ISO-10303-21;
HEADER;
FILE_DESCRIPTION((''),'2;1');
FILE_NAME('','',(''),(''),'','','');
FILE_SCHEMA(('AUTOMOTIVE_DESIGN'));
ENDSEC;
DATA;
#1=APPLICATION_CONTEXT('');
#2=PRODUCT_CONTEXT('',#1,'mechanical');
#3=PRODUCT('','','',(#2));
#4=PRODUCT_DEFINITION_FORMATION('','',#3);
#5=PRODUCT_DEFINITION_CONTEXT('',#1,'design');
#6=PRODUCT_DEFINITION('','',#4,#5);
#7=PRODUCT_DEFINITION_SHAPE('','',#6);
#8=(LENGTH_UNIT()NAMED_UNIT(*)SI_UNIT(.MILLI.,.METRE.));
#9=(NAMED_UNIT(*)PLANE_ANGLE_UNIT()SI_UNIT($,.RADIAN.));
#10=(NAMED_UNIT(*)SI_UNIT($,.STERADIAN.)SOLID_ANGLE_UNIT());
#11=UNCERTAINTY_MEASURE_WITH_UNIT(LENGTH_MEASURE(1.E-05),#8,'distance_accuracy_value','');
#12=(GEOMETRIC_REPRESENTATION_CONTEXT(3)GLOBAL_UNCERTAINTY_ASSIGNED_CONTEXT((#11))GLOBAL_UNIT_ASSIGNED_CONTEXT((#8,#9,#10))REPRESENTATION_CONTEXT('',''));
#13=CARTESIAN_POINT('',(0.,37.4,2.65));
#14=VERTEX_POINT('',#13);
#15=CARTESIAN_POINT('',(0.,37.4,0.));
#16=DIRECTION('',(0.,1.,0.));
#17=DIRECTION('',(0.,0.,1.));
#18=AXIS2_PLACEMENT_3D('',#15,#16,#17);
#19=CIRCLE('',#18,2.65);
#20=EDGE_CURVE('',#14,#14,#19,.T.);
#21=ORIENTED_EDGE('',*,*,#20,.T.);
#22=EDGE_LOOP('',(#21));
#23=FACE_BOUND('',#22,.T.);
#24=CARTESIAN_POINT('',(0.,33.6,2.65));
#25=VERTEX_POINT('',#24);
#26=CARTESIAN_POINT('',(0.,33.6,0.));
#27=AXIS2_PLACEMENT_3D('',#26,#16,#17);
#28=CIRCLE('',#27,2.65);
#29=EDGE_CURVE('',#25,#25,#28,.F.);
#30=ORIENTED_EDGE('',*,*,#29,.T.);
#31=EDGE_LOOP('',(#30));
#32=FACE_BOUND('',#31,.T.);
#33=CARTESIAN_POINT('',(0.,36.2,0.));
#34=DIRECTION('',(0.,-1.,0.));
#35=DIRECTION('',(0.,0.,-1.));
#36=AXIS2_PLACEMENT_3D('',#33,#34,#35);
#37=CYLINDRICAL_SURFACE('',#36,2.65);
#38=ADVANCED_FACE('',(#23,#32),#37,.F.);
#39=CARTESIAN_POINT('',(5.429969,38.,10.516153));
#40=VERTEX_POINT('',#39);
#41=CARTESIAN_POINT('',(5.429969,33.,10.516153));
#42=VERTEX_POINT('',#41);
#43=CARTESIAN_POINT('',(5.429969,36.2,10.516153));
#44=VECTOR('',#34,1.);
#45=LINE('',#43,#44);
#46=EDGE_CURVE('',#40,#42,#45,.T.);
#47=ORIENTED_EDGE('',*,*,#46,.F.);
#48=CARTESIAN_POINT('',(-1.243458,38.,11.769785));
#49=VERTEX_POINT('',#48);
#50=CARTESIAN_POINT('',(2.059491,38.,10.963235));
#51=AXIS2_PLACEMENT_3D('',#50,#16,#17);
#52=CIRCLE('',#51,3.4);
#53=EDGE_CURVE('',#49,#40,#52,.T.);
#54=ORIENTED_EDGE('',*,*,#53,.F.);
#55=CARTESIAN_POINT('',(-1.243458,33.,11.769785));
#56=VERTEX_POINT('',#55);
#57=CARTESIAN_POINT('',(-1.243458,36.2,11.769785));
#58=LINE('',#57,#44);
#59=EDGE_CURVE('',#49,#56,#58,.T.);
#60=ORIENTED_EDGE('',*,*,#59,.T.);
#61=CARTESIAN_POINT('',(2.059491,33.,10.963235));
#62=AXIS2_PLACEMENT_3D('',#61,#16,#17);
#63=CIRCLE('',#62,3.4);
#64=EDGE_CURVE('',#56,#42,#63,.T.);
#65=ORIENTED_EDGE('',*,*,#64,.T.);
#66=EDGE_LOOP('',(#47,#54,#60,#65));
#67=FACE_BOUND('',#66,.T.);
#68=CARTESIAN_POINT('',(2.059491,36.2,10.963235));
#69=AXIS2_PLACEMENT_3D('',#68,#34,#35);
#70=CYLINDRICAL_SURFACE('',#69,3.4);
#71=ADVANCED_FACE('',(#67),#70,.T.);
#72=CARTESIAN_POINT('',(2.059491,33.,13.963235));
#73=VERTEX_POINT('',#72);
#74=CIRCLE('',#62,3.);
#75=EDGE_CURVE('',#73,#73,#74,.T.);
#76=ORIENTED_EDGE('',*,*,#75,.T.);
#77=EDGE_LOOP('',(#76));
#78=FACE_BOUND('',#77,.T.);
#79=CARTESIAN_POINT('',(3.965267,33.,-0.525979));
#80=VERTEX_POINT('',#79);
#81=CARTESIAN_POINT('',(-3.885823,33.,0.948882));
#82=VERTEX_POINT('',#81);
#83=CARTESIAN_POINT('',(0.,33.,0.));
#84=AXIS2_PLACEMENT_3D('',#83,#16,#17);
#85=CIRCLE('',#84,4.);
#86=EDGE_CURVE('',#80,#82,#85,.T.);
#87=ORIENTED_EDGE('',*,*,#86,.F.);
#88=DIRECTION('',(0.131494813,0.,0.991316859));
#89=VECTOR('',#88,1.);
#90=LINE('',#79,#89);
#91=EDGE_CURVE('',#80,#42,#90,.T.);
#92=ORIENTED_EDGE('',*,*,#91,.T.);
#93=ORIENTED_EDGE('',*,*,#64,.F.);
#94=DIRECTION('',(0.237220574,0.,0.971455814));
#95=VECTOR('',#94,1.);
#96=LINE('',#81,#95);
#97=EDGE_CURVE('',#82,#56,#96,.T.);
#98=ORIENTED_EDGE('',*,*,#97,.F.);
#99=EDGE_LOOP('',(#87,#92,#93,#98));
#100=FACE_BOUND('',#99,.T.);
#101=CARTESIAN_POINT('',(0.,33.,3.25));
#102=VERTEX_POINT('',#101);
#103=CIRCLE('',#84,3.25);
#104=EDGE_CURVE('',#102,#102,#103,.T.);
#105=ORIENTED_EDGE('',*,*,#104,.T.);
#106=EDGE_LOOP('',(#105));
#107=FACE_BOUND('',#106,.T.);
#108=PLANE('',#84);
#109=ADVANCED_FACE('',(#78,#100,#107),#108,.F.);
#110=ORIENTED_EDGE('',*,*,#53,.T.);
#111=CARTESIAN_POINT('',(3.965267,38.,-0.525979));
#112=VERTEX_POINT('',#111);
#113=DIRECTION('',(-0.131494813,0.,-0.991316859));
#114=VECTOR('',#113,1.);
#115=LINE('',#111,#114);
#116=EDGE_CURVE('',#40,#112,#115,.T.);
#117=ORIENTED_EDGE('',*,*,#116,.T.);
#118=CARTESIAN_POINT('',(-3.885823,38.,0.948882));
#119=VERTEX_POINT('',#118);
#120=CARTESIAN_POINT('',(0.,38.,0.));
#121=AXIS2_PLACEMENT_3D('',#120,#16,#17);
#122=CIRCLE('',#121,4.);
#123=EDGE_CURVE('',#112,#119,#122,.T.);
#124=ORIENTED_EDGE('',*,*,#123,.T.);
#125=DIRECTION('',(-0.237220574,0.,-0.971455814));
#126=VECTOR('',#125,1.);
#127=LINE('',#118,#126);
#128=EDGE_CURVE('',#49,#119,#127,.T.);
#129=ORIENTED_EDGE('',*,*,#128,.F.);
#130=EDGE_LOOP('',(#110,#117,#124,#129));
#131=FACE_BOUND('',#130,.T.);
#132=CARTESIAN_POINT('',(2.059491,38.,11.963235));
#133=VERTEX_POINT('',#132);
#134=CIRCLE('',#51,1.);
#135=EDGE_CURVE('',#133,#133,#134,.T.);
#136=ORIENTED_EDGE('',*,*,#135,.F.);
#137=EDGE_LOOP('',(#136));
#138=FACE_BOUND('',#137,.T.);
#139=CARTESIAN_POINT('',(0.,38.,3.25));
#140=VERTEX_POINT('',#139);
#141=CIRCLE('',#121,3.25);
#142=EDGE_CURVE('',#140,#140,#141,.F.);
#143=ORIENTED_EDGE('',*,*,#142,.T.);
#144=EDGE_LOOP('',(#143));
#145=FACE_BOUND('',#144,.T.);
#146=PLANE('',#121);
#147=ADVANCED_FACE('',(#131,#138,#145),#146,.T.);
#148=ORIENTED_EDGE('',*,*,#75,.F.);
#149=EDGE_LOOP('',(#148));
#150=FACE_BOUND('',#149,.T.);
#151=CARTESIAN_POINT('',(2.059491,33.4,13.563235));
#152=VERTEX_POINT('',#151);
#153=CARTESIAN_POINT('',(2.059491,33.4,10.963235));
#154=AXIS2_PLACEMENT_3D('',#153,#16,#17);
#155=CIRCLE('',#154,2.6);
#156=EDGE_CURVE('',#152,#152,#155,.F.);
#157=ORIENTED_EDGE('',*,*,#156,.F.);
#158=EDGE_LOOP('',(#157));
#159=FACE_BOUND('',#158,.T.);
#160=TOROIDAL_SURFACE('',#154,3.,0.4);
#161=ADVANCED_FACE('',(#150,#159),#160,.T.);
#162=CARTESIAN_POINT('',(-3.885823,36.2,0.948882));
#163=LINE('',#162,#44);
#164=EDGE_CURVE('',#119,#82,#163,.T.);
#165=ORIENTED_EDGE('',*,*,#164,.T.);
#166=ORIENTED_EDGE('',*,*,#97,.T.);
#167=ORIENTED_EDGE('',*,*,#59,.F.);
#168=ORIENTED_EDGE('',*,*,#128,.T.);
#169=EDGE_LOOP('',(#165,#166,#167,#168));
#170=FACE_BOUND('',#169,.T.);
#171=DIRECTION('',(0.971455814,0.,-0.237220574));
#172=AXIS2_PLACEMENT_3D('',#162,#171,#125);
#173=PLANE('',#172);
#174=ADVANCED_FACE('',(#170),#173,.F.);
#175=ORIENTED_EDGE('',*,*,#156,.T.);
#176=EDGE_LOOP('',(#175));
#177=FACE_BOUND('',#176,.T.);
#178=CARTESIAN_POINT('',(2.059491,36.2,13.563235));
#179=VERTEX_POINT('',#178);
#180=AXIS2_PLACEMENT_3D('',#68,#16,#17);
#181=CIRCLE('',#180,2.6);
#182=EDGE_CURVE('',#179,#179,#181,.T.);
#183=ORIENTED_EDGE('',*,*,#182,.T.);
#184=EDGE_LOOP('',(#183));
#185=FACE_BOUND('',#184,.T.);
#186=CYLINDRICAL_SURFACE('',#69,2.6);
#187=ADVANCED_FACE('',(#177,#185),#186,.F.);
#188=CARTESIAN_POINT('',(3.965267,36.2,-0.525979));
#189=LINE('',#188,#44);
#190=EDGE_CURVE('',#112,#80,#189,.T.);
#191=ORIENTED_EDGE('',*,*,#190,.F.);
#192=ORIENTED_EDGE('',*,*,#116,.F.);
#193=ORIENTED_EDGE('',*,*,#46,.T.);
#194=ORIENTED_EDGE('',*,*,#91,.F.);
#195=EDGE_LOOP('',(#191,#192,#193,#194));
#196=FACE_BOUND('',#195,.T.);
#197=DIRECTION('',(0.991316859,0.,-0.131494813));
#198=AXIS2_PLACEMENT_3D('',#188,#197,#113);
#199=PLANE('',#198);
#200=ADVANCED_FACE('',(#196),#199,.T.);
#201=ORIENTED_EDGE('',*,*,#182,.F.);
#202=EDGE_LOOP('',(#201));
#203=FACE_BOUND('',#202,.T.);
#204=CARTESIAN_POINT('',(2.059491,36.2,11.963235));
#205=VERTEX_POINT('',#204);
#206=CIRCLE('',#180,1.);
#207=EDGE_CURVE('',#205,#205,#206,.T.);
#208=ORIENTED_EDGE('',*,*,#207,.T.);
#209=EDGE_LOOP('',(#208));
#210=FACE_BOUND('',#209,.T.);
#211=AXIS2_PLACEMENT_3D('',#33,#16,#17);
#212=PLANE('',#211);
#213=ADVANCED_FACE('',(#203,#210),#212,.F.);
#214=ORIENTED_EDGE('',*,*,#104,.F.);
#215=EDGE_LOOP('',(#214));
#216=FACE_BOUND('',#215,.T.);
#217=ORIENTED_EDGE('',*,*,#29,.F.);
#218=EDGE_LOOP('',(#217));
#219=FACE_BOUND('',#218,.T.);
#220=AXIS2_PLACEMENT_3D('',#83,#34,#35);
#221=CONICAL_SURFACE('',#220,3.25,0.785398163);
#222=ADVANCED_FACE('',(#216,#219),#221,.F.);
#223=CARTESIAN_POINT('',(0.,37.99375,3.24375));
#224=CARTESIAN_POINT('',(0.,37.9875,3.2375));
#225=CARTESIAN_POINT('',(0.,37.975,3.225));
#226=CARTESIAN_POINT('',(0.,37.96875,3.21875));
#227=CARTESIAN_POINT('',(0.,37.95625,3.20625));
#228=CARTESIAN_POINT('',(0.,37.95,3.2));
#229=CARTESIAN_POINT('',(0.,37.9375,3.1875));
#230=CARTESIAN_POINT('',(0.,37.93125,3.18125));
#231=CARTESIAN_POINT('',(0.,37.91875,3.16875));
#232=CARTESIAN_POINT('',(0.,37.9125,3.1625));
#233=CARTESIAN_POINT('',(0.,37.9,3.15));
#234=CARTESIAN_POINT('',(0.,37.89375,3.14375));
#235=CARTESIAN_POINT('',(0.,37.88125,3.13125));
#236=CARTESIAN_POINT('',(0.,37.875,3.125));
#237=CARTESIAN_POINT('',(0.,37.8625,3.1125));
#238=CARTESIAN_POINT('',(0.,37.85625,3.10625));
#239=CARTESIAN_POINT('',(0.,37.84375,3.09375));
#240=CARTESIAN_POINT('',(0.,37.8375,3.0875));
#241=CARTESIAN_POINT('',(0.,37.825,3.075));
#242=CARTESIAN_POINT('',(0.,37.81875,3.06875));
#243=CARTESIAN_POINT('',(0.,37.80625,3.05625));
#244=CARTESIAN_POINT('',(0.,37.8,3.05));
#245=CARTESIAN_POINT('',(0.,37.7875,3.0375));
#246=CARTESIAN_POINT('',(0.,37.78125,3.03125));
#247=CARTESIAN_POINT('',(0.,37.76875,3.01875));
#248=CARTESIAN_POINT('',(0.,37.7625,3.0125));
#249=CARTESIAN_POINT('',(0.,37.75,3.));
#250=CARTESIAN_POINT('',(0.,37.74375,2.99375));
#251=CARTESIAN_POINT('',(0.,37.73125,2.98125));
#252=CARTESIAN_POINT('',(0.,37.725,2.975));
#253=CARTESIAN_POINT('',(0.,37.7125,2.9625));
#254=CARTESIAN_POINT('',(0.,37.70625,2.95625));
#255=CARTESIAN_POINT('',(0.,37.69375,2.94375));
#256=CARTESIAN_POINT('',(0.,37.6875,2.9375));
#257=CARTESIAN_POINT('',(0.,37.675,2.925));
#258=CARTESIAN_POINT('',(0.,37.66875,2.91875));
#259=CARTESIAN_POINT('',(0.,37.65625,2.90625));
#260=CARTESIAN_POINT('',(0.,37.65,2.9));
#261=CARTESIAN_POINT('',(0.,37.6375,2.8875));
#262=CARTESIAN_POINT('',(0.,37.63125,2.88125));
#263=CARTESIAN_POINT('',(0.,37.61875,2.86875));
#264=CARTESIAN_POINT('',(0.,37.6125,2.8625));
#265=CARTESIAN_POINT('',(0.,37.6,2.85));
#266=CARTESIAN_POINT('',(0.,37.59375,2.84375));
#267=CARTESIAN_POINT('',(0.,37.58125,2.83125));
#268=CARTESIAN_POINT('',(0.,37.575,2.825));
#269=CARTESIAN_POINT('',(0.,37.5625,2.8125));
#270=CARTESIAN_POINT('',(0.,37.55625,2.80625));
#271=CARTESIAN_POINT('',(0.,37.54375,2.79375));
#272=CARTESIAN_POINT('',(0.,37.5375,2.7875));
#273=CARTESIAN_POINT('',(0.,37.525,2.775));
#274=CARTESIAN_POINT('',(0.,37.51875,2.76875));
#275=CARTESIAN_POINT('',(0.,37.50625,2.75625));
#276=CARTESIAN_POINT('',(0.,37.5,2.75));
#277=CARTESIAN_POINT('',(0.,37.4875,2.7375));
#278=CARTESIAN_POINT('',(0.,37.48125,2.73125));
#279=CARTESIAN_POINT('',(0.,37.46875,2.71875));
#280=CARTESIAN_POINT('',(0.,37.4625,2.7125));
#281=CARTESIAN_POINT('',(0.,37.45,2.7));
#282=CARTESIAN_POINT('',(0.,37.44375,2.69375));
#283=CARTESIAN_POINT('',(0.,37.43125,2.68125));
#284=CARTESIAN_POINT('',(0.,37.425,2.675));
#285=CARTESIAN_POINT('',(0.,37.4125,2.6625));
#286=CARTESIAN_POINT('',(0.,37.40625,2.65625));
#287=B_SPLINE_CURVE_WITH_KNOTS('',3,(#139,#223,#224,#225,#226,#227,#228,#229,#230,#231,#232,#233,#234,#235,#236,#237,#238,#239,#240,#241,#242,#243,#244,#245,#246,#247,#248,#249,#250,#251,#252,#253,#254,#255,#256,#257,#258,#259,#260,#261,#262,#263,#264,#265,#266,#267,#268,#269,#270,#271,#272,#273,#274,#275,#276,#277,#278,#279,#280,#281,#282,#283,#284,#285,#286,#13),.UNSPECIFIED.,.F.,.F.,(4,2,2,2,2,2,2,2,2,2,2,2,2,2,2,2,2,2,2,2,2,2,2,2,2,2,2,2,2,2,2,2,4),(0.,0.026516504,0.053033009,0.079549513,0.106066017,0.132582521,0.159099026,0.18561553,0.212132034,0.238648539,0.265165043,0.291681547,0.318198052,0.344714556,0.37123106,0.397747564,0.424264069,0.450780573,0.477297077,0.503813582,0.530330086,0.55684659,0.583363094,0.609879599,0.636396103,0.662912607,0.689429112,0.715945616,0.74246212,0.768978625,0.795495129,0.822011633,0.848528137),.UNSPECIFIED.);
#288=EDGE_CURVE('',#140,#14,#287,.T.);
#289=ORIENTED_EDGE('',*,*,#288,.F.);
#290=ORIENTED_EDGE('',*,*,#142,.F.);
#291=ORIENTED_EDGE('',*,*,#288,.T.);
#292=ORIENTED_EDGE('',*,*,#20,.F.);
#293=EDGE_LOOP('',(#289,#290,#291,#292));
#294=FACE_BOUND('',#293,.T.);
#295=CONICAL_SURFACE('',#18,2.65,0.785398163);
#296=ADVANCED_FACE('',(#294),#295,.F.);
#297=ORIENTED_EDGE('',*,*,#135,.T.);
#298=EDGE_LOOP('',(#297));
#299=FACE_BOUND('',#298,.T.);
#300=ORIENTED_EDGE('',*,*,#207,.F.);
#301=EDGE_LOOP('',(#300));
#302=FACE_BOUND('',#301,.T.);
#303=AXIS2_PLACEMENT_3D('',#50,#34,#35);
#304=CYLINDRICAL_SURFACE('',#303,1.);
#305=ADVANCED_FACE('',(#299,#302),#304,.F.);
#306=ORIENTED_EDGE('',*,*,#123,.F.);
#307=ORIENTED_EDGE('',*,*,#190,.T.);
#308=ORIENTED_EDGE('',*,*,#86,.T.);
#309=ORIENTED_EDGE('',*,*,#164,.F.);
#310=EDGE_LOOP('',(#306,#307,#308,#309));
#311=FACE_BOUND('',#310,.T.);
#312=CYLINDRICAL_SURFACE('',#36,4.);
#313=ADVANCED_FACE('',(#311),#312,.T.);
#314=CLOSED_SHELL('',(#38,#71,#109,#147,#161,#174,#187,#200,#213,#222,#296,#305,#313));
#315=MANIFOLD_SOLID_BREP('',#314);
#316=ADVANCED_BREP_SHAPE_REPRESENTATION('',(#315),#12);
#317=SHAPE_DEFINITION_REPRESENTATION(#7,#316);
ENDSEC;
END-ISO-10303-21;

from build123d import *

# Parameters (mm, degrees)
SKETCH1_R           = 2.6
SKETCH1_R_2         = 2.65
BOSS_EXTRUDE1_DEPTH = 3.2
BOSS_EXTRUDE2_START = 3.2
SKETCH1_3_R         = 2.65
SKETCH1_3_R_2       = 1
BOSS_EXTRUDE2_DEPTH = 1.8
CHAMFER1_SIZE       = 0.6
FILLET3_R           = 0.4


with BuildPart() as part:
    # Sketch1 → Boss-Extrude1 (new body)
    with BuildSketch(Plane(origin=(0, 33, 0), x_dir=(1, 0, 0), z_dir=(0, 1, 0))):
        with BuildLine():
            Line((5.429968705, -10.516152569), (3.965267434, 0.525979253))
            ThreePointArc((3.965267434, 0.525979253), (-0.738499825, 3.931236194), (-3.885823258, -0.948882295))
            Line((-3.885823258, -0.948882295), (-1.243458383, -11.769784885))
            ThreePointArc((-1.243458383, -11.769784885), (2.687216237, -14.304785699), (5.429968705, -10.516152569))
        make_face()
        with Locations(Location((2.059491386, -10.963234935, 0), (0, 0, 270))):
            Circle(SKETCH1_R, mode=Mode.SUBTRACT)
        with Locations(Location((0, 0, 0), (0, 0, 270))):
            Circle(SKETCH1_R_2, mode=Mode.SUBTRACT)
    extrude(amount=BOSS_EXTRUDE1_DEPTH)

    # Sketch1<3> → Boss-Extrude2 (add)
    with BuildSketch(Plane(origin=(0, 33, 0), x_dir=(1, 0, 0), z_dir=(0, 1, 0)).offset(BOSS_EXTRUDE2_START)):
        with BuildLine():
            Line((5.429968705, -10.516152569), (3.965267434, 0.525979253))
            ThreePointArc((3.965267434, 0.525979253), (-0.738499825, 3.931236194), (-3.885823258, -0.948882295))
            Line((-3.885823258, -0.948882295), (-1.243458383, -11.769784885))
            ThreePointArc((-1.243458383, -11.769784885), (2.687216237, -14.304785699), (5.429968705, -10.516152569))
        make_face()
        with Locations(Location((0, 0, 0), (0, 0, 270))):
            Circle(SKETCH1_3_R, mode=Mode.SUBTRACT)
        with Locations(Location((2.059491386, -10.963234935, 0), (0, 0, 270))):
            Circle(SKETCH1_3_R_2, mode=Mode.SUBTRACT)
    extrude(amount=BOSS_EXTRUDE2_DEPTH)

    # Chamfer1
    chamfer1_edges = [part.edges().sort_by_distance(p)[0] for p in [
        (0, 33, -2.65),
        (0, 38, -2.65),
    ]]
    chamfer(chamfer1_edges, length=CHAMFER1_SIZE)

    # Fillet3
    fillet3_edges = [part.edges().sort_by_distance(p)[0] for p in [
        (2.059491386, 33, 8.363234935),
    ]]
    fillet(fillet3_edges, radius=FILLET3_R)


solid = part.part
